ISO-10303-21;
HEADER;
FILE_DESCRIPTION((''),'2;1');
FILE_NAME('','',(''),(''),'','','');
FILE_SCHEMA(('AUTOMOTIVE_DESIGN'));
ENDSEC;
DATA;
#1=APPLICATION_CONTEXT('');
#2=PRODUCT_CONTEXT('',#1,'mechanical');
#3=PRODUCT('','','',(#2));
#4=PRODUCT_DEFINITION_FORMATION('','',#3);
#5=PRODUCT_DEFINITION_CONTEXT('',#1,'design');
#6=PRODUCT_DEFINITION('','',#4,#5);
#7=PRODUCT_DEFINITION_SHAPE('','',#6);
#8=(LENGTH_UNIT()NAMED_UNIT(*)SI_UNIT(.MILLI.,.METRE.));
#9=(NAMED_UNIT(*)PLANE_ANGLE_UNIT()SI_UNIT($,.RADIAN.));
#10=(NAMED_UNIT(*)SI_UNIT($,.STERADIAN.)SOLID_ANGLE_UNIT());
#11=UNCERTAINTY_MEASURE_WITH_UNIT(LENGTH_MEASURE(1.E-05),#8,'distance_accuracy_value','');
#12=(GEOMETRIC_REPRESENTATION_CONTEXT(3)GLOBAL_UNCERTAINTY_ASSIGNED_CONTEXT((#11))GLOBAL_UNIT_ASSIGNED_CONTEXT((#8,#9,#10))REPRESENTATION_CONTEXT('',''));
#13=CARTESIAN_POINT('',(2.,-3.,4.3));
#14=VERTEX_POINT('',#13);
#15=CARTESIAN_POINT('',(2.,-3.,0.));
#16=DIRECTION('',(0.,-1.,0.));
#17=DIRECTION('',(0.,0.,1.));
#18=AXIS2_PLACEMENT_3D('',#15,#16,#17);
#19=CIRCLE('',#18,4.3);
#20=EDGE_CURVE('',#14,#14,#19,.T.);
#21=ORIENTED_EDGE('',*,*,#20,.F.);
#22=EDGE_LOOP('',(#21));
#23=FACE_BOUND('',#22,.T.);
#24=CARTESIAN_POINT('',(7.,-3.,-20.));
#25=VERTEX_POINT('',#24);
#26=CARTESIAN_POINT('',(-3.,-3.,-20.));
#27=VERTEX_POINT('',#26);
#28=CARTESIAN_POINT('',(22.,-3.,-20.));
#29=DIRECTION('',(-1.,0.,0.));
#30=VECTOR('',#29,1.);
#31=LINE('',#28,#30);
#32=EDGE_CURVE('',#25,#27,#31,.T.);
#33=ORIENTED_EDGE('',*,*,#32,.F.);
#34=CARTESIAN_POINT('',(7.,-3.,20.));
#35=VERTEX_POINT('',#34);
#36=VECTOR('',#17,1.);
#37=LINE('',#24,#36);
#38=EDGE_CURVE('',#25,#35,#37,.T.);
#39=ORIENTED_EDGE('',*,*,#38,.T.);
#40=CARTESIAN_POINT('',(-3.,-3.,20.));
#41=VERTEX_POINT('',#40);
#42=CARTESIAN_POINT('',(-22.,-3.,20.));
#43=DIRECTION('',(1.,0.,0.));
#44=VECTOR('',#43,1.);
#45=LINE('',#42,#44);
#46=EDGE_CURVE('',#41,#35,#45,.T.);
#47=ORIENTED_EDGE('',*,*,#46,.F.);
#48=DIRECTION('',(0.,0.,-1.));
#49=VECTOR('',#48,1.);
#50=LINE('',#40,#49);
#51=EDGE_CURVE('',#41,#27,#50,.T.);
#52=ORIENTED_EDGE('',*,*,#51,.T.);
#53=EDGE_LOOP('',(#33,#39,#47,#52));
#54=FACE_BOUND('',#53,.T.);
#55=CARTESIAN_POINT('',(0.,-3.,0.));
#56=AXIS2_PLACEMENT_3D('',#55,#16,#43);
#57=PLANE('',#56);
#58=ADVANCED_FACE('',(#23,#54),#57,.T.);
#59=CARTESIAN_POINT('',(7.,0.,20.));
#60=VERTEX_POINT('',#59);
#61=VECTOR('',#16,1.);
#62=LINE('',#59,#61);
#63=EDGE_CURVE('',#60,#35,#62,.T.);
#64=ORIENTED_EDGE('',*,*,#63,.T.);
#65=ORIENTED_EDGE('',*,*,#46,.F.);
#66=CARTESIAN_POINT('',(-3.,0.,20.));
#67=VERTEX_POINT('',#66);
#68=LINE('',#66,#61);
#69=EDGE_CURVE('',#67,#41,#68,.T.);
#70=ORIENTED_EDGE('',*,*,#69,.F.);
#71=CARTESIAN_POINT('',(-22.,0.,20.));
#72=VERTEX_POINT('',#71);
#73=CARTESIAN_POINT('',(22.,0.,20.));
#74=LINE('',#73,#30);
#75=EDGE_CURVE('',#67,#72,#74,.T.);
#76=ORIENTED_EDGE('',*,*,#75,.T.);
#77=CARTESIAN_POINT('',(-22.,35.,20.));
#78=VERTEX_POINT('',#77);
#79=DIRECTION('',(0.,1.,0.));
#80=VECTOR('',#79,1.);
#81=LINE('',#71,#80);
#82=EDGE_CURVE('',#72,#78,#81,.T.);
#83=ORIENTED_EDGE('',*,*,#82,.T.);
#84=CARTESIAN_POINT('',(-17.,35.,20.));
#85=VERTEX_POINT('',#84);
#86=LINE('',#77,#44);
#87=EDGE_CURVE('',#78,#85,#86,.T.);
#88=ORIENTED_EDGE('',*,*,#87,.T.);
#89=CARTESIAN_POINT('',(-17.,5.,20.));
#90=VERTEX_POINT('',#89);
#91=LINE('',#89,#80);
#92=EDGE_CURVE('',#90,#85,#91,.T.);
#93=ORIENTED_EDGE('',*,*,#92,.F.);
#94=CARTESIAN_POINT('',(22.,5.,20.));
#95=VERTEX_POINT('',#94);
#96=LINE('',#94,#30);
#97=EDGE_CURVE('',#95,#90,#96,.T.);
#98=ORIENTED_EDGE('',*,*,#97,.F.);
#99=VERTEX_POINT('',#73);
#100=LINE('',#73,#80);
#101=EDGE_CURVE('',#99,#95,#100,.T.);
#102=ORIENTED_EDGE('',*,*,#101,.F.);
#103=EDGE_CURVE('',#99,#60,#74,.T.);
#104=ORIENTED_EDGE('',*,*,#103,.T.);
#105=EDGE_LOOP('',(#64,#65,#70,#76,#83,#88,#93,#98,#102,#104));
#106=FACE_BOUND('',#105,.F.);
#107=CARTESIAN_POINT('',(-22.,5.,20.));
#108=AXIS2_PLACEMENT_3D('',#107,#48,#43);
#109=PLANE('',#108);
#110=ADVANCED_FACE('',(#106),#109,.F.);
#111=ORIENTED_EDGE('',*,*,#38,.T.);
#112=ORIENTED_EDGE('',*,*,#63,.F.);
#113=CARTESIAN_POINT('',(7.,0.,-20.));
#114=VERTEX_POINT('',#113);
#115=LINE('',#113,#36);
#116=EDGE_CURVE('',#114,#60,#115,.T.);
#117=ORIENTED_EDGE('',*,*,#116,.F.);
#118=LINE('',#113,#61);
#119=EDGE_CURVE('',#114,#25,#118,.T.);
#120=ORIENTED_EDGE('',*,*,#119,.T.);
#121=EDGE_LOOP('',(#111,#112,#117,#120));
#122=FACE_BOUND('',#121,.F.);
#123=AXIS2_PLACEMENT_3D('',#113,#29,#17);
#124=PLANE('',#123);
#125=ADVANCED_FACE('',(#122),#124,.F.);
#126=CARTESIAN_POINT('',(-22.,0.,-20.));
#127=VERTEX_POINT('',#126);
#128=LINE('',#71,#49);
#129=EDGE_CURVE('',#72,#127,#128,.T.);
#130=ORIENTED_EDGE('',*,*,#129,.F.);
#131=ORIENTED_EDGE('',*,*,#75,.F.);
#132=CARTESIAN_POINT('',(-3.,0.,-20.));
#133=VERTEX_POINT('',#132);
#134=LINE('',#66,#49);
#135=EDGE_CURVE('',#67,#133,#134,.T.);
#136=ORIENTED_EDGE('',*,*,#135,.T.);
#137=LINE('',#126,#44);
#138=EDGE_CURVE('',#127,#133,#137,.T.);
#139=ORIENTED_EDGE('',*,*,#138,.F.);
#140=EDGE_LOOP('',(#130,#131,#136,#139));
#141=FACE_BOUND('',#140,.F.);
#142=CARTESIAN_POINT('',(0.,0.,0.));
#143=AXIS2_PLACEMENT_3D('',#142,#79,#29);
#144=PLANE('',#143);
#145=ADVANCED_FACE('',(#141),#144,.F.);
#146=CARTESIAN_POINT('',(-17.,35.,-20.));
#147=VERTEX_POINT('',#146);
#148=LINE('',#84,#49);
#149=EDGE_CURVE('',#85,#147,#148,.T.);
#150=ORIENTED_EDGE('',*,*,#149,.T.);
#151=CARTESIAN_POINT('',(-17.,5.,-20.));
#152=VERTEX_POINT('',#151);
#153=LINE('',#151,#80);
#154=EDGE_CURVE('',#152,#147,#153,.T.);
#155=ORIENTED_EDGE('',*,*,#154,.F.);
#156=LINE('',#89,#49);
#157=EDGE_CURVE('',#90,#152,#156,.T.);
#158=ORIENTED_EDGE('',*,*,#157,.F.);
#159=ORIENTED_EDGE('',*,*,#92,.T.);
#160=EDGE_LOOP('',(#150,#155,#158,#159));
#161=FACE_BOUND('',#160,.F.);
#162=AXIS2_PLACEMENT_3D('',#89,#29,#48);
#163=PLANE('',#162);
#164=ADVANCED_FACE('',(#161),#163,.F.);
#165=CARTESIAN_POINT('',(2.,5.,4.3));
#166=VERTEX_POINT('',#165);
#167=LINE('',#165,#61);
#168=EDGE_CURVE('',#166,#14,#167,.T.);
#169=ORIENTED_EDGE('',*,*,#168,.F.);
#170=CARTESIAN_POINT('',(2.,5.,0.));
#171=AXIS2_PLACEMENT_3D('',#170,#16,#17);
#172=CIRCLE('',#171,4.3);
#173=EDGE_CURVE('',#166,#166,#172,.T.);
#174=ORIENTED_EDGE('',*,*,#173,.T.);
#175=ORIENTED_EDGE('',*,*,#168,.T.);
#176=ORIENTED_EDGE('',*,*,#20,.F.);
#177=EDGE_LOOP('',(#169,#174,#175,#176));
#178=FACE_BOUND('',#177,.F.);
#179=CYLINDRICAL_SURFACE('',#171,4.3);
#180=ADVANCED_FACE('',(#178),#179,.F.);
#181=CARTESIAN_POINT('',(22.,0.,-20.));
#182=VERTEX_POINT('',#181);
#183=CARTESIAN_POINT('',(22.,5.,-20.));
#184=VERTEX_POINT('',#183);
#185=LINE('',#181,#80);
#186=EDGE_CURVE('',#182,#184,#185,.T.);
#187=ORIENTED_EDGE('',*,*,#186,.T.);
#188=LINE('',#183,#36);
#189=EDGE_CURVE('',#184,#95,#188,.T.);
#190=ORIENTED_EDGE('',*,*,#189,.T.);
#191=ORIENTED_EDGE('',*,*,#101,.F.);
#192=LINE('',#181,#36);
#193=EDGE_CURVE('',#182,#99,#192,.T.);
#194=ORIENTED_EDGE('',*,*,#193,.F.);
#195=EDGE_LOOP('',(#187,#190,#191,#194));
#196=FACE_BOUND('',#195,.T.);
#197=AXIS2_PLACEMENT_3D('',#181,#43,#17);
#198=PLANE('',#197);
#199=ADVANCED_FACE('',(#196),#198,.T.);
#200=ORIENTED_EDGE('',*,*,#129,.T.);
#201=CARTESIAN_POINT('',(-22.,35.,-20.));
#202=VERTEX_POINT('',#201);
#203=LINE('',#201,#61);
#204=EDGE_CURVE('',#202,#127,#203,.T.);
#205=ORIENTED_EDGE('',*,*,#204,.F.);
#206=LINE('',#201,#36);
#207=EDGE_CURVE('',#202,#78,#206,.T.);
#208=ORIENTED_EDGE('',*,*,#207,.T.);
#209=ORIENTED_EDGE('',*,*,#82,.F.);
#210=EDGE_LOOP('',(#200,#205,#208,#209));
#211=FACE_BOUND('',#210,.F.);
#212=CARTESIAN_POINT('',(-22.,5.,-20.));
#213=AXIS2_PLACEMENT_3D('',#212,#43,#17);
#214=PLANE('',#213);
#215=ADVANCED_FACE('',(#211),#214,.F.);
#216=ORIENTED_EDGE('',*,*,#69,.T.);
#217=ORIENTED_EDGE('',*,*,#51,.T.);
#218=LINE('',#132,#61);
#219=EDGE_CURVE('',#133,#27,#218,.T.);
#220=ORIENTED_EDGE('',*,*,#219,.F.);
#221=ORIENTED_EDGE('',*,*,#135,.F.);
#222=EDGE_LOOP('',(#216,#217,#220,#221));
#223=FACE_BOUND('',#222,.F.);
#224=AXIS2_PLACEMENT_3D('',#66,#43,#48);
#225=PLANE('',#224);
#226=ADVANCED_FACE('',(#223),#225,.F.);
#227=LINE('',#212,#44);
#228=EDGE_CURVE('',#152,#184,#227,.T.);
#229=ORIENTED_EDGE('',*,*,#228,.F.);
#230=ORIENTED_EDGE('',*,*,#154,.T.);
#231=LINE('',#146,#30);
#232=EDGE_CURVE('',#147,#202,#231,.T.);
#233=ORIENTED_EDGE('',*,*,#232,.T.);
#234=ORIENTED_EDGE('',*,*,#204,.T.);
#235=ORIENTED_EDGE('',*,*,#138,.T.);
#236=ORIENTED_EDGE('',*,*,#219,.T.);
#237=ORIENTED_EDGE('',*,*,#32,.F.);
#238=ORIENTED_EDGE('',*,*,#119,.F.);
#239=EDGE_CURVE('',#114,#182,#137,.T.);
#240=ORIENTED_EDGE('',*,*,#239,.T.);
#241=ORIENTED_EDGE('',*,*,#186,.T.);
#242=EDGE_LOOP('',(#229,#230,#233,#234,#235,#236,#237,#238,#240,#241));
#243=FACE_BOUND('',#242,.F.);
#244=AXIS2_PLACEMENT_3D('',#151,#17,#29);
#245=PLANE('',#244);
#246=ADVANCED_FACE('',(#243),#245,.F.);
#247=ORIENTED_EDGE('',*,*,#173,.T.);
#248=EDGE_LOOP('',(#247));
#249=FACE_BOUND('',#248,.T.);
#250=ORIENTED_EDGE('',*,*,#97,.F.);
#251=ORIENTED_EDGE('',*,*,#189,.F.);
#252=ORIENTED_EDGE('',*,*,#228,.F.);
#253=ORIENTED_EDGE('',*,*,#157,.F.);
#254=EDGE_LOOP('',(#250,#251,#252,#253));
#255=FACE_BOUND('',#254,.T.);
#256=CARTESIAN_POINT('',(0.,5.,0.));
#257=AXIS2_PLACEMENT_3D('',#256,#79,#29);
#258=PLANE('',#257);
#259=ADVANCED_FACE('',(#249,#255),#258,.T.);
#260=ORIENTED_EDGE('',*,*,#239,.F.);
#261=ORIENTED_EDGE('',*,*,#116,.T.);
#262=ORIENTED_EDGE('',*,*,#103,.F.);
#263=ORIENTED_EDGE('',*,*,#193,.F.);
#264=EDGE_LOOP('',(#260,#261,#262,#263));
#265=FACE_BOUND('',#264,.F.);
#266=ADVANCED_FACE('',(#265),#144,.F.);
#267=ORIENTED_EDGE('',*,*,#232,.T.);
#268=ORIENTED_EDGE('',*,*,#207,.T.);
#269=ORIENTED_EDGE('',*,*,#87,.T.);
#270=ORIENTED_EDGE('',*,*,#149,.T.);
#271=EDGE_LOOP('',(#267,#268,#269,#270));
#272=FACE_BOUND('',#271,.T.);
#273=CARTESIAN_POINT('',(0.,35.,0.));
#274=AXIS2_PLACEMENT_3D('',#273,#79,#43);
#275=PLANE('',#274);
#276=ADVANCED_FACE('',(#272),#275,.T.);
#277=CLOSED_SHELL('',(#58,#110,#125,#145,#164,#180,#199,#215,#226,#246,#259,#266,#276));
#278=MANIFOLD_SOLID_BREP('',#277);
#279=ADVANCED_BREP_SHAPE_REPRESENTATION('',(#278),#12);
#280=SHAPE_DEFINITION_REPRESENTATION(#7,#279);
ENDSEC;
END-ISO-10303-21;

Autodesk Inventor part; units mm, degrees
ref_plane "YZ Plane" through (0, 0, 0) normal (1, 0, 0) x (0, 1, 0)
ref_plane "XZ Plane" through (0, 0, 0) normal (0, 1, 0) x (-1, 0, 0)
ref_plane "XY Plane" through (0, 0, 0) normal (0, 0, 1) x (1, 0, 0)
sketch "Sketch1" plane through (0, 0, 0) normal (0, 1, 0) x (-1, 0, 0)
  line L0 (-22, 20) -> (22, 20)
  line L1 (22, 20) -> (22, -20)
  line L2 (22, -20) -> (-22, -20)
  line L3 (-22, -20) -> (-22, 20)
  line L4 (-22, 20) -> (22, -20) construction
  line L5 (22, 20) -> (-22, -20) construction
  point P0 (0, 0)
  dimension "d0" = 44
  dimension "d1" = 40
extrude "Extrusion1" add sketch "Sketch1" along normal blind 5
sketch "Sketch2" plane through (0, 0, 0) normal (0, -1, 0) x (1, 0, 0)
  line L0 (22, -20) -> (-22, -20) projected
  line L1 (-22, 20) -> (22, 20) projected
  line L2 (-3, -20) -> (7, -20)
  line L3 (7, -20) -> (7, 20)
  line L4 (7, 20) -> (-3, 20)
  line L5 (-3, 20) -> (-3, -20)
  line L6 (22, 20) -> (22, -20) projected
  point P0 (-3, 20)
  dimension "d7" = 10
  dimension "d8" = 15
extrude "Extrusion2" add sketch "Sketch2" along normal blind 3 contours L0 L5 L1 L3
sketch "Sketch3" plane through (0, 5, 0) normal (0, 1, 0) x (1, 0, 0)
  line L0 (-22, -20) -> (22, -20) projected
  line L1 (-22, -20) -> (-17, -20)
  line L2 (-17, -20) -> (-17, 20)
  line L3 (-17, 20) -> (-22, 20)
  line L4 (-22, 20) -> (-22, -20)
  point P0 (0, 0)
  point P1 (-17, -20)
  dimension "d9" = 5
  dimension "d10" = 40
extrude "Extrusion3" add sketch "Sketch3" along normal blind 30
sketch "Sketch4" plane through (0, 5, 0) normal (0, 1, 0) x (1, 0, 0)
  line L0 (22, -20) -> (22, 20) projected
  point P0 (0, 0)
  point P1 (2, 0)
  point P2 (22, 0)
  dimension "d13" = 20
hole "Hole1" at (2, 5, 0) direction (0, -1, 0) diameter 8.6 end through all
properties part number "ER_Stopper_Rexroth"
